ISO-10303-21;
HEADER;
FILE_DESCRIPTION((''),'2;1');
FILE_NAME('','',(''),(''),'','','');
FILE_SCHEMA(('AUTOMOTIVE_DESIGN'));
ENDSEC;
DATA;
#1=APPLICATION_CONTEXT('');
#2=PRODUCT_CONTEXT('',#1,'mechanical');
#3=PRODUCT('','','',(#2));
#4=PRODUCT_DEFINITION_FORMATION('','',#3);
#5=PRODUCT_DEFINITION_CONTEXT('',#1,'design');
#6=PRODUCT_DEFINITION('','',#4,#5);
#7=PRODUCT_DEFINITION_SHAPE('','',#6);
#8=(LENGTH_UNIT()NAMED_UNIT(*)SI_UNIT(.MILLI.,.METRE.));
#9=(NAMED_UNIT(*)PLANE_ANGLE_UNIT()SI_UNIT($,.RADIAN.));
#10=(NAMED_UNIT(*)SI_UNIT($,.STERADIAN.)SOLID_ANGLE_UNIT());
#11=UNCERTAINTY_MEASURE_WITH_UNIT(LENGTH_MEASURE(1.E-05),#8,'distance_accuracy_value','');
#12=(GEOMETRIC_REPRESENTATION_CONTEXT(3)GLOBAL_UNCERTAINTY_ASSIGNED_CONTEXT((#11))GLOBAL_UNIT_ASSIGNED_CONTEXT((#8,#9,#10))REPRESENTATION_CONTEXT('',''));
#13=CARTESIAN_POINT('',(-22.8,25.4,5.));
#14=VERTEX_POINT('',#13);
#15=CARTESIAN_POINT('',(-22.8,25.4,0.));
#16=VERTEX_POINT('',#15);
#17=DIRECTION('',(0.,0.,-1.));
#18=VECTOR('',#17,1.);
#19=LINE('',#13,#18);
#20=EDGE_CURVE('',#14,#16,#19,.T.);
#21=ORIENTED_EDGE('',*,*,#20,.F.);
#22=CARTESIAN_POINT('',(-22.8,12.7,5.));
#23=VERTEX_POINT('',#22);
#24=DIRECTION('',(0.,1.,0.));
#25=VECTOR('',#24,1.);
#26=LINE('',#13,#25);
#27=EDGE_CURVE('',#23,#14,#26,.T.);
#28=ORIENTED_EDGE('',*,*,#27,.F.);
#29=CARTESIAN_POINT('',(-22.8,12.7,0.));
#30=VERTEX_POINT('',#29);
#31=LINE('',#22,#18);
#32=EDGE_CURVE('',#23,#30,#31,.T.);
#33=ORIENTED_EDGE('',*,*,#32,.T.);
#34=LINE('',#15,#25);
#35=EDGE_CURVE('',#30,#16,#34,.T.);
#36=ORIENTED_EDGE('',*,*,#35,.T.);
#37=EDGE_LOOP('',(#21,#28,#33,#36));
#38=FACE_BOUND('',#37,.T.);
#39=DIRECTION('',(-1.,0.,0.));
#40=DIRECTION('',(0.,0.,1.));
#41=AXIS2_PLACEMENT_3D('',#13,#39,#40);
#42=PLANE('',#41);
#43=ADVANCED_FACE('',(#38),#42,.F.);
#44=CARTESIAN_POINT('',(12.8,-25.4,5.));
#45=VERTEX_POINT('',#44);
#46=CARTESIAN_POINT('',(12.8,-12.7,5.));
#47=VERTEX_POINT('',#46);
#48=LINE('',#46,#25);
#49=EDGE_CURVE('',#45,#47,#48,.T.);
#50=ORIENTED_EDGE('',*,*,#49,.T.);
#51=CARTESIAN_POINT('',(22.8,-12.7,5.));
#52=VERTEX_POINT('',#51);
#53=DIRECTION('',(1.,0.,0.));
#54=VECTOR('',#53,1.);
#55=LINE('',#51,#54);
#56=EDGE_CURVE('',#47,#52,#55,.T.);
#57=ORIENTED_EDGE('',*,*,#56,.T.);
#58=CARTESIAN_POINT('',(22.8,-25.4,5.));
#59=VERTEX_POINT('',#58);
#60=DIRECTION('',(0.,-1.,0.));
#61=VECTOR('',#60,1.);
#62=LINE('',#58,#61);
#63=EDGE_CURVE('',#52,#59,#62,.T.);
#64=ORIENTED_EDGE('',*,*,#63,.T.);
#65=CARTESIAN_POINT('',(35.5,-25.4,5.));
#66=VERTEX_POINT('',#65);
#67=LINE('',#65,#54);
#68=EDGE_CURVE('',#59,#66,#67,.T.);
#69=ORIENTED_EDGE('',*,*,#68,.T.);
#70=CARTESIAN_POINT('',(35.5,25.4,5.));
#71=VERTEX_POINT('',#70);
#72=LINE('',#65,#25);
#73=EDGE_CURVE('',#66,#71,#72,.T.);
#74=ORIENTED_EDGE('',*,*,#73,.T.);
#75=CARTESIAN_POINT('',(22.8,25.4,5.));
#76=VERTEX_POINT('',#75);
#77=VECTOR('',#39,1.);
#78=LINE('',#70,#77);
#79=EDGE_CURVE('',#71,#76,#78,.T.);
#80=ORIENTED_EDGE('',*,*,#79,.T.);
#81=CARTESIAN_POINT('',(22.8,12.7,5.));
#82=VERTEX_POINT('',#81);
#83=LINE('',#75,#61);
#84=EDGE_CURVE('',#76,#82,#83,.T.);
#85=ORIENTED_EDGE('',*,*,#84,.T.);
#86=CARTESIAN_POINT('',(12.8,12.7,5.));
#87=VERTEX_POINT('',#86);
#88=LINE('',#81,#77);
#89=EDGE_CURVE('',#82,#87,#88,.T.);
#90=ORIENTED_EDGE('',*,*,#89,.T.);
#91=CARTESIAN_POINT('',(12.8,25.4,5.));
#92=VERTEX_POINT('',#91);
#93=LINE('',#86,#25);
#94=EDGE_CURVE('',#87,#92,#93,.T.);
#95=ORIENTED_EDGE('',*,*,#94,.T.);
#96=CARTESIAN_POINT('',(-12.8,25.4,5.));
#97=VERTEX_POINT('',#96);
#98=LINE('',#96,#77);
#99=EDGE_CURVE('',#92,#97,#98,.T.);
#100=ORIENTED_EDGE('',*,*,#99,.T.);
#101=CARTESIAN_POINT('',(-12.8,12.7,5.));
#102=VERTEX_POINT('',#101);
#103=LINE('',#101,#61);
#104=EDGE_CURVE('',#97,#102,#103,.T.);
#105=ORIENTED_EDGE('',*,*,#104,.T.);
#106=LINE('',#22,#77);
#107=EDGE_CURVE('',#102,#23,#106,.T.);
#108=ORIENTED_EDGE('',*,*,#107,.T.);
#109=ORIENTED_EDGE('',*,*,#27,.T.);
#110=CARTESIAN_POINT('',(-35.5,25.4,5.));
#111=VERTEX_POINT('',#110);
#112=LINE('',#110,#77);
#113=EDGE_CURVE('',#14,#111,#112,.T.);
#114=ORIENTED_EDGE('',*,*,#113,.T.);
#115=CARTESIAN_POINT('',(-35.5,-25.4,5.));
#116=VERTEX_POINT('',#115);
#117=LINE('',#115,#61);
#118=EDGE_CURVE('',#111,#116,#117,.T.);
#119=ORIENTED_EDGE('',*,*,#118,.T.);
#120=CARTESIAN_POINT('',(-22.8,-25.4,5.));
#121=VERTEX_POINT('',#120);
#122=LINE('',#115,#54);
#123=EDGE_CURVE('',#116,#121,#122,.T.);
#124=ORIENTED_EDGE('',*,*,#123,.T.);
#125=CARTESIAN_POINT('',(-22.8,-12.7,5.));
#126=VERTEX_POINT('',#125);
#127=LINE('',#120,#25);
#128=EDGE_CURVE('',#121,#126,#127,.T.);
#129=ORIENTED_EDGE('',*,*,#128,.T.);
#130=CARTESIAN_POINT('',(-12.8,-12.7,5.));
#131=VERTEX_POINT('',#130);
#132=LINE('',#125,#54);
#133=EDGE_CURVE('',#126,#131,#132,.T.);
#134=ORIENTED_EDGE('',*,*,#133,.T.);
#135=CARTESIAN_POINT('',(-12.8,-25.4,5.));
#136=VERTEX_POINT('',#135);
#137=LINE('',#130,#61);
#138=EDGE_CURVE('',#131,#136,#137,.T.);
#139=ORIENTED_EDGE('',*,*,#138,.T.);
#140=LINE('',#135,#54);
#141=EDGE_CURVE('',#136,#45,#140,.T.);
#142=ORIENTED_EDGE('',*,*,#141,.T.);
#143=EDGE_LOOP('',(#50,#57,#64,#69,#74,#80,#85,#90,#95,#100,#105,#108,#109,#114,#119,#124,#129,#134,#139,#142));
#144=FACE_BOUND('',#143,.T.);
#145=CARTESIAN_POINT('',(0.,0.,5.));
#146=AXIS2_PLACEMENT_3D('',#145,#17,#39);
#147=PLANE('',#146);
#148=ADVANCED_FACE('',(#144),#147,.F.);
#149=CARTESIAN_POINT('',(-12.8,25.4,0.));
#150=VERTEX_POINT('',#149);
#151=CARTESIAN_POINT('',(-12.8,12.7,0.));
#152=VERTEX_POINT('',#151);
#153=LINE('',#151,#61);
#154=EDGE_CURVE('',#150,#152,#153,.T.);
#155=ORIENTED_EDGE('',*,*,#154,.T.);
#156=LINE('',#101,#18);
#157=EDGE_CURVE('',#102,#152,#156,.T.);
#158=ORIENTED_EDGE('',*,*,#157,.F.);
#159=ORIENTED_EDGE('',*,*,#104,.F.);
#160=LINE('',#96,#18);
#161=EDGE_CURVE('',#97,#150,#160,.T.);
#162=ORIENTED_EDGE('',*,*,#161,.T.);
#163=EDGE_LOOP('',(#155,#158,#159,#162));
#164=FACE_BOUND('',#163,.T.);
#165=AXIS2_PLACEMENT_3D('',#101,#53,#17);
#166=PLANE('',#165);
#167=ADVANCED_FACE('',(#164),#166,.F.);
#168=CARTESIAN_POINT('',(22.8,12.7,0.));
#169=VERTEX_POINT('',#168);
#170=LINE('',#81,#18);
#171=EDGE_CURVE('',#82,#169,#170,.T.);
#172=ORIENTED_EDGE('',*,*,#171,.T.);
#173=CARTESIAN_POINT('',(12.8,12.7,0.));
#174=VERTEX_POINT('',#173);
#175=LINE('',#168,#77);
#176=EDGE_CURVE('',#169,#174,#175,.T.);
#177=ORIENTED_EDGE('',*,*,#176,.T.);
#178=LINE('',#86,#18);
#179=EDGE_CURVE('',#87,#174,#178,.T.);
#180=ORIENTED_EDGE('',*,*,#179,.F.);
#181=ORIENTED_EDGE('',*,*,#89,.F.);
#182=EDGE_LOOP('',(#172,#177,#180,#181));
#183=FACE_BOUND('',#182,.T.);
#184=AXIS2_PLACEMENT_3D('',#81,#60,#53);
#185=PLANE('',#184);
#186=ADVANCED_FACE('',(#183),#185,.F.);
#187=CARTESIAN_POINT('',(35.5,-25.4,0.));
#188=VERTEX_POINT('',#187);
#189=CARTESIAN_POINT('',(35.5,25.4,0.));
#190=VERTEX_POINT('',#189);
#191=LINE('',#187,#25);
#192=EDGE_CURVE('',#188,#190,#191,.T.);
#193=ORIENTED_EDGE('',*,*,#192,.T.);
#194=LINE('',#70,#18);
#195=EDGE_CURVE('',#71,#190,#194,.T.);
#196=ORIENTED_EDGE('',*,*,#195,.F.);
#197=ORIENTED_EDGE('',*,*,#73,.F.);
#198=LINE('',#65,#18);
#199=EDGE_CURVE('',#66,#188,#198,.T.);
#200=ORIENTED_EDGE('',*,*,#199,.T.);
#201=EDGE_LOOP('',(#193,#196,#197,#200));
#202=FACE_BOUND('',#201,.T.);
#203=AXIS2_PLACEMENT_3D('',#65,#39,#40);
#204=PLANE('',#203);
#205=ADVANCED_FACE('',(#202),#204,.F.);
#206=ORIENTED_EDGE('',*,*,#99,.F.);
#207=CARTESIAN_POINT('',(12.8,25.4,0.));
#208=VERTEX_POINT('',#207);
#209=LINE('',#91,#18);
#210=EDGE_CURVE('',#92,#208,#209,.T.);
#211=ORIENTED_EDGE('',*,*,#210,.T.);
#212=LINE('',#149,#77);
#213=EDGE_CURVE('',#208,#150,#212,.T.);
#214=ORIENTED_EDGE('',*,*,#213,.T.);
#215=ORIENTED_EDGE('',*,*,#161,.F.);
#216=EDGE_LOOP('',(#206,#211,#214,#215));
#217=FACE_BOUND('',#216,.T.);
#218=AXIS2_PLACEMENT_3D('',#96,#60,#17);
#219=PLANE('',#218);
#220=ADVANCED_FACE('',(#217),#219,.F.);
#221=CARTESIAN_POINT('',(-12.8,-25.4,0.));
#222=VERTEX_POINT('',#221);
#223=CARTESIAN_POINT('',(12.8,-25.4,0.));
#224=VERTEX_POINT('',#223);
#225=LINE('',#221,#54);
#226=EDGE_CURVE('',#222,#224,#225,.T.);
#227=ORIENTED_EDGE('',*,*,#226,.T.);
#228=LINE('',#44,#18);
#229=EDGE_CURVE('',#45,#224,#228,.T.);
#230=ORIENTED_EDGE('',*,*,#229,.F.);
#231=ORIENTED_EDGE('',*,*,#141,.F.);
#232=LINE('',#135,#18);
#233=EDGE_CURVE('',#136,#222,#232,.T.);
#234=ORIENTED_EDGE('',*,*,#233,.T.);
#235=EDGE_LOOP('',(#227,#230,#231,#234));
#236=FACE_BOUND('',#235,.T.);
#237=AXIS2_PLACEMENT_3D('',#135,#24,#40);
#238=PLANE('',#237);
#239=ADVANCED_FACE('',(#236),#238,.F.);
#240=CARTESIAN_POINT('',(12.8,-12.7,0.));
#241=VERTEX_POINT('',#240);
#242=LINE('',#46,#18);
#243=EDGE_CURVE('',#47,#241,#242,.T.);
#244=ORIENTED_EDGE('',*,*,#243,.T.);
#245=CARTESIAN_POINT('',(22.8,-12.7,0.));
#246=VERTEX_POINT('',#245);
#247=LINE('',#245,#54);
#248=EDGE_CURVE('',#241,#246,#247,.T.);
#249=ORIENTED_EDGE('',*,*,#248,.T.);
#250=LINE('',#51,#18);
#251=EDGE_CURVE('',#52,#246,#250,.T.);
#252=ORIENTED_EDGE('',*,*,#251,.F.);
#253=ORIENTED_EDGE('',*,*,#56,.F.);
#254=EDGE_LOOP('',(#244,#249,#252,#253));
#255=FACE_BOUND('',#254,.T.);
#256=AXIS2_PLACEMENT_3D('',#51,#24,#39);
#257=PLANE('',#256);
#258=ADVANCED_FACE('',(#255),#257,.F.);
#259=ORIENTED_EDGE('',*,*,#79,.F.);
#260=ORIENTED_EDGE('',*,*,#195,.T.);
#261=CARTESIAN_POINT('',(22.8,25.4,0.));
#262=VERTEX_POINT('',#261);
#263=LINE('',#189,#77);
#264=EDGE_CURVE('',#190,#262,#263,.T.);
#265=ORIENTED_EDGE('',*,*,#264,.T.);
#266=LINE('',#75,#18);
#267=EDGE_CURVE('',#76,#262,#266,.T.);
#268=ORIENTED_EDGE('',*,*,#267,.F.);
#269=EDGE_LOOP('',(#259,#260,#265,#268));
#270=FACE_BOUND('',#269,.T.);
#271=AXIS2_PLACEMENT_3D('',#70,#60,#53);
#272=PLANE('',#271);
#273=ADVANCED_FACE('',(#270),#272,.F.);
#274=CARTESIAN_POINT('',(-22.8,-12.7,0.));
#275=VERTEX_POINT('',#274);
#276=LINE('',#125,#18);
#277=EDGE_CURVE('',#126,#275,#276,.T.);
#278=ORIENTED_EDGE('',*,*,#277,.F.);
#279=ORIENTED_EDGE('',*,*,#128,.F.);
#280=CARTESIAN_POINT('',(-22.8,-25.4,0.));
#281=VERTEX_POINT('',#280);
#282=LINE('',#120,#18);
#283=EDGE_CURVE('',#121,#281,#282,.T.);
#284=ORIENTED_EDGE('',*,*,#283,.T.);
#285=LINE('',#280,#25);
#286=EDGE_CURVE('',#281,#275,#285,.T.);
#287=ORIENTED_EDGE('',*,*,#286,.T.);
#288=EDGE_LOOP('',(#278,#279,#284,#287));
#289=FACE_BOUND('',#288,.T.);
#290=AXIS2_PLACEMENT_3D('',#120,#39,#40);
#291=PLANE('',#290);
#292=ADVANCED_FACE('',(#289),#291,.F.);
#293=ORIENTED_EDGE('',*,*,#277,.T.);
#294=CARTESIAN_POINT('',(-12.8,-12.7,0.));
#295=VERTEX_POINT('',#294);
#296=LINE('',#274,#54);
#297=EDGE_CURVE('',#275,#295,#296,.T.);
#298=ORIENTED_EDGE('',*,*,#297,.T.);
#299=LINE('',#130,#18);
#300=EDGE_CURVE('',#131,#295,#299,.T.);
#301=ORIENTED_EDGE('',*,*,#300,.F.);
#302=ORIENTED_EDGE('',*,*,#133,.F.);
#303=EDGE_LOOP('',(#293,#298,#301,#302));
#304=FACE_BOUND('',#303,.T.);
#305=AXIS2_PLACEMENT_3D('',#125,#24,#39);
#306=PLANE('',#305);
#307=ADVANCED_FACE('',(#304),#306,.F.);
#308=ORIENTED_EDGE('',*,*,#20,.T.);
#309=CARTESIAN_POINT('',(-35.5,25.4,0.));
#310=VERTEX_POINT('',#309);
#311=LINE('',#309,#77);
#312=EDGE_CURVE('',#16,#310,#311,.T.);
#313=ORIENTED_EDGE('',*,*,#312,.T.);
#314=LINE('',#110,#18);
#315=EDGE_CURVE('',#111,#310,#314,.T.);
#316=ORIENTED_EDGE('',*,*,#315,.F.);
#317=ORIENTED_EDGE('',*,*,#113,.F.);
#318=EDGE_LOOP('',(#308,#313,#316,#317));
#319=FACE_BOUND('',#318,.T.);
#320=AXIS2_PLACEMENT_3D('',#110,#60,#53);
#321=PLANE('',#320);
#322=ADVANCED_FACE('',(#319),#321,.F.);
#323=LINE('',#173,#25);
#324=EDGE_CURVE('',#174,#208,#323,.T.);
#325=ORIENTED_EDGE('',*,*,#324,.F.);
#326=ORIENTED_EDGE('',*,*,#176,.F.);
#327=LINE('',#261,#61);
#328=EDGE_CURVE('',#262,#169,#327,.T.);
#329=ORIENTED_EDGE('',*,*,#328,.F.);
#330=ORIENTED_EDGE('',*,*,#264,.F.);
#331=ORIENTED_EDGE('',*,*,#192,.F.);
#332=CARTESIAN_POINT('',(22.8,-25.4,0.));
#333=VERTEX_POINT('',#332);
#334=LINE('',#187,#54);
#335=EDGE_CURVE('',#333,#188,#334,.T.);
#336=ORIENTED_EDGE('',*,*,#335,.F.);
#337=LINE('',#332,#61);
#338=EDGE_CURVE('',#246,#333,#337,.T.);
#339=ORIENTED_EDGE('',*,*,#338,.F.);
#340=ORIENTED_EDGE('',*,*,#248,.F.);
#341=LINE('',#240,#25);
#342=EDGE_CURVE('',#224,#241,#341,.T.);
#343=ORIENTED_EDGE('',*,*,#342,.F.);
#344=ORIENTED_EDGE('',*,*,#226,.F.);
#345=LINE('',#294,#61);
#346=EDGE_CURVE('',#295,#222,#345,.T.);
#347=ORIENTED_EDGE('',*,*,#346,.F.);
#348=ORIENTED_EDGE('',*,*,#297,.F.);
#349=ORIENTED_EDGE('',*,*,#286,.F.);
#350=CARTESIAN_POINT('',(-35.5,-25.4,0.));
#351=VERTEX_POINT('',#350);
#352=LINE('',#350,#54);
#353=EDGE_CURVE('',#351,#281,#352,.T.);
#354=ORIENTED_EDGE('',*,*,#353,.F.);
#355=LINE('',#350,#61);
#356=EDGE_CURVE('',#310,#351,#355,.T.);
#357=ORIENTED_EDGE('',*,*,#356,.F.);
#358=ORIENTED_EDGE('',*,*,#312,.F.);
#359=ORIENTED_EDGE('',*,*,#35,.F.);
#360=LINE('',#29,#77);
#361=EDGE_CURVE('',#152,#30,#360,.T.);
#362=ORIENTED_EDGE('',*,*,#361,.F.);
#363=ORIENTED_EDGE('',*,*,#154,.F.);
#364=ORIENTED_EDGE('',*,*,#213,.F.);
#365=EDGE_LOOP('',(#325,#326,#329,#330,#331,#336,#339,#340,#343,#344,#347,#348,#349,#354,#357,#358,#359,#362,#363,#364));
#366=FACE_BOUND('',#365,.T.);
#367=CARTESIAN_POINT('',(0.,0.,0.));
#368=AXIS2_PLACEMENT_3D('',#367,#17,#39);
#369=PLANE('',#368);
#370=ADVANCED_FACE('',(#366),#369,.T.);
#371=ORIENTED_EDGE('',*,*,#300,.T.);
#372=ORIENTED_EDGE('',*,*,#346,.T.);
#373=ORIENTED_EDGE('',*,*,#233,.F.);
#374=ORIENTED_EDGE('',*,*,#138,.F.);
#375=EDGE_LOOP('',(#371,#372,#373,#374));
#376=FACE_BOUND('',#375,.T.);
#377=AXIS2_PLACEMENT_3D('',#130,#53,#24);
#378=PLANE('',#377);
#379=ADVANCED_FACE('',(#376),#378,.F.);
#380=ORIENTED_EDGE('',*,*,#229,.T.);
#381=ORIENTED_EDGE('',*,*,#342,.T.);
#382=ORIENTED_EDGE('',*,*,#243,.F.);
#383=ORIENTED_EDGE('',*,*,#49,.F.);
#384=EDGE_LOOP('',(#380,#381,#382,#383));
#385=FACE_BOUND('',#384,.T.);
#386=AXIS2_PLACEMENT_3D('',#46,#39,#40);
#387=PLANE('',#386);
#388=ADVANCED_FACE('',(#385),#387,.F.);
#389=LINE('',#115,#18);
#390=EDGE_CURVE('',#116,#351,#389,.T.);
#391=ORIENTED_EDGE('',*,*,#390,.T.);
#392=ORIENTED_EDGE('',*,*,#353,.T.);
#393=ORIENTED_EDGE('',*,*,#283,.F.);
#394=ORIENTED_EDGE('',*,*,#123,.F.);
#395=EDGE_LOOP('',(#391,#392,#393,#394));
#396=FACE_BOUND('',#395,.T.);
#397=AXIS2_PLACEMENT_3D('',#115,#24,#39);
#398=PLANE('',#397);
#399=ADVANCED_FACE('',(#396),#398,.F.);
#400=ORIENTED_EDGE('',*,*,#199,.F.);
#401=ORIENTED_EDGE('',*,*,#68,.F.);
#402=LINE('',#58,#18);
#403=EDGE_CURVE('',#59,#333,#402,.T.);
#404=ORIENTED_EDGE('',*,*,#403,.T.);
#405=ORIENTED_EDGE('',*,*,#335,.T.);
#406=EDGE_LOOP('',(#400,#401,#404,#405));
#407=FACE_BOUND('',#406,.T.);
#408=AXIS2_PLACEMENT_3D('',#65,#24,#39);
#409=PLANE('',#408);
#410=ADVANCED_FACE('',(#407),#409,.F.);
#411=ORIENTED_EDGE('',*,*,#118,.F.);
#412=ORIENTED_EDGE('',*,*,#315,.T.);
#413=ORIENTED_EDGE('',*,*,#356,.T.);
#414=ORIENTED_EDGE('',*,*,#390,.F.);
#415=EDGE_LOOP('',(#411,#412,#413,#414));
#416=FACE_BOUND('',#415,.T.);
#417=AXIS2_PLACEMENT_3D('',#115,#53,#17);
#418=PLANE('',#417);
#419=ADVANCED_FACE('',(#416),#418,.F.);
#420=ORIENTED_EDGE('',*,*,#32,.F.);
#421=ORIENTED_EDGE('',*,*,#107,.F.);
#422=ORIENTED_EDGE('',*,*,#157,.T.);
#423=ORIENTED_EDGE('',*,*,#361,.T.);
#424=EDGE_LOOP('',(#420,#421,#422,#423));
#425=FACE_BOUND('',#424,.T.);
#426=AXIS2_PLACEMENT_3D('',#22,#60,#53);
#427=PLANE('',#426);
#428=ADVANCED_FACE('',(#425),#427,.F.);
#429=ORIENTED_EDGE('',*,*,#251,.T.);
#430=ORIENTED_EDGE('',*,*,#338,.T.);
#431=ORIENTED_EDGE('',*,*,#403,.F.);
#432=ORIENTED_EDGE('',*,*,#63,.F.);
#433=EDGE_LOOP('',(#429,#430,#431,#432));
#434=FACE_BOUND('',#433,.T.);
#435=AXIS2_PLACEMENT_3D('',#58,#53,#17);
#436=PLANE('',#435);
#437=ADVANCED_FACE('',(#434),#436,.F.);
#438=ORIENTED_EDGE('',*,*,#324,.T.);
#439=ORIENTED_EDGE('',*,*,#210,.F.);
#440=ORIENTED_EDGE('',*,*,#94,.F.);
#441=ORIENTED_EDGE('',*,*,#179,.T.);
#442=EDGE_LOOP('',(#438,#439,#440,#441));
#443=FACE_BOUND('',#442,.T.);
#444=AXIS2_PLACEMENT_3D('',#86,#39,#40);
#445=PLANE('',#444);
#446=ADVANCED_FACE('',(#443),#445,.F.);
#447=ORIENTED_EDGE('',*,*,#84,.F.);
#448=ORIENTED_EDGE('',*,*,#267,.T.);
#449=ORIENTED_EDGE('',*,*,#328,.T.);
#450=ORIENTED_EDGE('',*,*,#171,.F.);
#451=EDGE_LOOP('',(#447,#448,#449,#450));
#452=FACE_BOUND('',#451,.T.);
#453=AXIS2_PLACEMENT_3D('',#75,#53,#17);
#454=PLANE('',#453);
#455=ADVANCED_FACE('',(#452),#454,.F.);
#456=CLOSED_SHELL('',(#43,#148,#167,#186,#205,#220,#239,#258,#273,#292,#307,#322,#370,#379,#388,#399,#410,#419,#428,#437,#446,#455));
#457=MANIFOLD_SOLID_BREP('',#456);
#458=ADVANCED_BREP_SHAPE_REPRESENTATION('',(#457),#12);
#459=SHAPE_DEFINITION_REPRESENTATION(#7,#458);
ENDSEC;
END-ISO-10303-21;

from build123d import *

# Parameters (mm, degrees)
SALIENTE_EXTRUIR1_DEPTH = 5


with BuildPart() as part:
    # Croquis1 → Saliente-Extruir1 (new body)
    with BuildSketch(Plane.XY):
        Polygon((-35.5, 25.4), (-22.8, 25.4), (-22.8, 12.7), (-12.8, 12.7), (-12.8, 25.4), (12.8, 25.4), (12.8, 12.7), (22.8, 12.7), (22.8, 25.4), (35.5, 25.4), (35.5, -25.4), (22.8, -25.4), (22.8, -12.7), (12.8, -12.7), (12.8, -25.4), (-12.8, -25.4), (-12.8, -12.7), (-22.8, -12.7), (-22.8, -25.4), (-35.5, -25.4), align=None)
    extrude(amount=SALIENTE_EXTRUIR1_DEPTH)


solid = part.part
